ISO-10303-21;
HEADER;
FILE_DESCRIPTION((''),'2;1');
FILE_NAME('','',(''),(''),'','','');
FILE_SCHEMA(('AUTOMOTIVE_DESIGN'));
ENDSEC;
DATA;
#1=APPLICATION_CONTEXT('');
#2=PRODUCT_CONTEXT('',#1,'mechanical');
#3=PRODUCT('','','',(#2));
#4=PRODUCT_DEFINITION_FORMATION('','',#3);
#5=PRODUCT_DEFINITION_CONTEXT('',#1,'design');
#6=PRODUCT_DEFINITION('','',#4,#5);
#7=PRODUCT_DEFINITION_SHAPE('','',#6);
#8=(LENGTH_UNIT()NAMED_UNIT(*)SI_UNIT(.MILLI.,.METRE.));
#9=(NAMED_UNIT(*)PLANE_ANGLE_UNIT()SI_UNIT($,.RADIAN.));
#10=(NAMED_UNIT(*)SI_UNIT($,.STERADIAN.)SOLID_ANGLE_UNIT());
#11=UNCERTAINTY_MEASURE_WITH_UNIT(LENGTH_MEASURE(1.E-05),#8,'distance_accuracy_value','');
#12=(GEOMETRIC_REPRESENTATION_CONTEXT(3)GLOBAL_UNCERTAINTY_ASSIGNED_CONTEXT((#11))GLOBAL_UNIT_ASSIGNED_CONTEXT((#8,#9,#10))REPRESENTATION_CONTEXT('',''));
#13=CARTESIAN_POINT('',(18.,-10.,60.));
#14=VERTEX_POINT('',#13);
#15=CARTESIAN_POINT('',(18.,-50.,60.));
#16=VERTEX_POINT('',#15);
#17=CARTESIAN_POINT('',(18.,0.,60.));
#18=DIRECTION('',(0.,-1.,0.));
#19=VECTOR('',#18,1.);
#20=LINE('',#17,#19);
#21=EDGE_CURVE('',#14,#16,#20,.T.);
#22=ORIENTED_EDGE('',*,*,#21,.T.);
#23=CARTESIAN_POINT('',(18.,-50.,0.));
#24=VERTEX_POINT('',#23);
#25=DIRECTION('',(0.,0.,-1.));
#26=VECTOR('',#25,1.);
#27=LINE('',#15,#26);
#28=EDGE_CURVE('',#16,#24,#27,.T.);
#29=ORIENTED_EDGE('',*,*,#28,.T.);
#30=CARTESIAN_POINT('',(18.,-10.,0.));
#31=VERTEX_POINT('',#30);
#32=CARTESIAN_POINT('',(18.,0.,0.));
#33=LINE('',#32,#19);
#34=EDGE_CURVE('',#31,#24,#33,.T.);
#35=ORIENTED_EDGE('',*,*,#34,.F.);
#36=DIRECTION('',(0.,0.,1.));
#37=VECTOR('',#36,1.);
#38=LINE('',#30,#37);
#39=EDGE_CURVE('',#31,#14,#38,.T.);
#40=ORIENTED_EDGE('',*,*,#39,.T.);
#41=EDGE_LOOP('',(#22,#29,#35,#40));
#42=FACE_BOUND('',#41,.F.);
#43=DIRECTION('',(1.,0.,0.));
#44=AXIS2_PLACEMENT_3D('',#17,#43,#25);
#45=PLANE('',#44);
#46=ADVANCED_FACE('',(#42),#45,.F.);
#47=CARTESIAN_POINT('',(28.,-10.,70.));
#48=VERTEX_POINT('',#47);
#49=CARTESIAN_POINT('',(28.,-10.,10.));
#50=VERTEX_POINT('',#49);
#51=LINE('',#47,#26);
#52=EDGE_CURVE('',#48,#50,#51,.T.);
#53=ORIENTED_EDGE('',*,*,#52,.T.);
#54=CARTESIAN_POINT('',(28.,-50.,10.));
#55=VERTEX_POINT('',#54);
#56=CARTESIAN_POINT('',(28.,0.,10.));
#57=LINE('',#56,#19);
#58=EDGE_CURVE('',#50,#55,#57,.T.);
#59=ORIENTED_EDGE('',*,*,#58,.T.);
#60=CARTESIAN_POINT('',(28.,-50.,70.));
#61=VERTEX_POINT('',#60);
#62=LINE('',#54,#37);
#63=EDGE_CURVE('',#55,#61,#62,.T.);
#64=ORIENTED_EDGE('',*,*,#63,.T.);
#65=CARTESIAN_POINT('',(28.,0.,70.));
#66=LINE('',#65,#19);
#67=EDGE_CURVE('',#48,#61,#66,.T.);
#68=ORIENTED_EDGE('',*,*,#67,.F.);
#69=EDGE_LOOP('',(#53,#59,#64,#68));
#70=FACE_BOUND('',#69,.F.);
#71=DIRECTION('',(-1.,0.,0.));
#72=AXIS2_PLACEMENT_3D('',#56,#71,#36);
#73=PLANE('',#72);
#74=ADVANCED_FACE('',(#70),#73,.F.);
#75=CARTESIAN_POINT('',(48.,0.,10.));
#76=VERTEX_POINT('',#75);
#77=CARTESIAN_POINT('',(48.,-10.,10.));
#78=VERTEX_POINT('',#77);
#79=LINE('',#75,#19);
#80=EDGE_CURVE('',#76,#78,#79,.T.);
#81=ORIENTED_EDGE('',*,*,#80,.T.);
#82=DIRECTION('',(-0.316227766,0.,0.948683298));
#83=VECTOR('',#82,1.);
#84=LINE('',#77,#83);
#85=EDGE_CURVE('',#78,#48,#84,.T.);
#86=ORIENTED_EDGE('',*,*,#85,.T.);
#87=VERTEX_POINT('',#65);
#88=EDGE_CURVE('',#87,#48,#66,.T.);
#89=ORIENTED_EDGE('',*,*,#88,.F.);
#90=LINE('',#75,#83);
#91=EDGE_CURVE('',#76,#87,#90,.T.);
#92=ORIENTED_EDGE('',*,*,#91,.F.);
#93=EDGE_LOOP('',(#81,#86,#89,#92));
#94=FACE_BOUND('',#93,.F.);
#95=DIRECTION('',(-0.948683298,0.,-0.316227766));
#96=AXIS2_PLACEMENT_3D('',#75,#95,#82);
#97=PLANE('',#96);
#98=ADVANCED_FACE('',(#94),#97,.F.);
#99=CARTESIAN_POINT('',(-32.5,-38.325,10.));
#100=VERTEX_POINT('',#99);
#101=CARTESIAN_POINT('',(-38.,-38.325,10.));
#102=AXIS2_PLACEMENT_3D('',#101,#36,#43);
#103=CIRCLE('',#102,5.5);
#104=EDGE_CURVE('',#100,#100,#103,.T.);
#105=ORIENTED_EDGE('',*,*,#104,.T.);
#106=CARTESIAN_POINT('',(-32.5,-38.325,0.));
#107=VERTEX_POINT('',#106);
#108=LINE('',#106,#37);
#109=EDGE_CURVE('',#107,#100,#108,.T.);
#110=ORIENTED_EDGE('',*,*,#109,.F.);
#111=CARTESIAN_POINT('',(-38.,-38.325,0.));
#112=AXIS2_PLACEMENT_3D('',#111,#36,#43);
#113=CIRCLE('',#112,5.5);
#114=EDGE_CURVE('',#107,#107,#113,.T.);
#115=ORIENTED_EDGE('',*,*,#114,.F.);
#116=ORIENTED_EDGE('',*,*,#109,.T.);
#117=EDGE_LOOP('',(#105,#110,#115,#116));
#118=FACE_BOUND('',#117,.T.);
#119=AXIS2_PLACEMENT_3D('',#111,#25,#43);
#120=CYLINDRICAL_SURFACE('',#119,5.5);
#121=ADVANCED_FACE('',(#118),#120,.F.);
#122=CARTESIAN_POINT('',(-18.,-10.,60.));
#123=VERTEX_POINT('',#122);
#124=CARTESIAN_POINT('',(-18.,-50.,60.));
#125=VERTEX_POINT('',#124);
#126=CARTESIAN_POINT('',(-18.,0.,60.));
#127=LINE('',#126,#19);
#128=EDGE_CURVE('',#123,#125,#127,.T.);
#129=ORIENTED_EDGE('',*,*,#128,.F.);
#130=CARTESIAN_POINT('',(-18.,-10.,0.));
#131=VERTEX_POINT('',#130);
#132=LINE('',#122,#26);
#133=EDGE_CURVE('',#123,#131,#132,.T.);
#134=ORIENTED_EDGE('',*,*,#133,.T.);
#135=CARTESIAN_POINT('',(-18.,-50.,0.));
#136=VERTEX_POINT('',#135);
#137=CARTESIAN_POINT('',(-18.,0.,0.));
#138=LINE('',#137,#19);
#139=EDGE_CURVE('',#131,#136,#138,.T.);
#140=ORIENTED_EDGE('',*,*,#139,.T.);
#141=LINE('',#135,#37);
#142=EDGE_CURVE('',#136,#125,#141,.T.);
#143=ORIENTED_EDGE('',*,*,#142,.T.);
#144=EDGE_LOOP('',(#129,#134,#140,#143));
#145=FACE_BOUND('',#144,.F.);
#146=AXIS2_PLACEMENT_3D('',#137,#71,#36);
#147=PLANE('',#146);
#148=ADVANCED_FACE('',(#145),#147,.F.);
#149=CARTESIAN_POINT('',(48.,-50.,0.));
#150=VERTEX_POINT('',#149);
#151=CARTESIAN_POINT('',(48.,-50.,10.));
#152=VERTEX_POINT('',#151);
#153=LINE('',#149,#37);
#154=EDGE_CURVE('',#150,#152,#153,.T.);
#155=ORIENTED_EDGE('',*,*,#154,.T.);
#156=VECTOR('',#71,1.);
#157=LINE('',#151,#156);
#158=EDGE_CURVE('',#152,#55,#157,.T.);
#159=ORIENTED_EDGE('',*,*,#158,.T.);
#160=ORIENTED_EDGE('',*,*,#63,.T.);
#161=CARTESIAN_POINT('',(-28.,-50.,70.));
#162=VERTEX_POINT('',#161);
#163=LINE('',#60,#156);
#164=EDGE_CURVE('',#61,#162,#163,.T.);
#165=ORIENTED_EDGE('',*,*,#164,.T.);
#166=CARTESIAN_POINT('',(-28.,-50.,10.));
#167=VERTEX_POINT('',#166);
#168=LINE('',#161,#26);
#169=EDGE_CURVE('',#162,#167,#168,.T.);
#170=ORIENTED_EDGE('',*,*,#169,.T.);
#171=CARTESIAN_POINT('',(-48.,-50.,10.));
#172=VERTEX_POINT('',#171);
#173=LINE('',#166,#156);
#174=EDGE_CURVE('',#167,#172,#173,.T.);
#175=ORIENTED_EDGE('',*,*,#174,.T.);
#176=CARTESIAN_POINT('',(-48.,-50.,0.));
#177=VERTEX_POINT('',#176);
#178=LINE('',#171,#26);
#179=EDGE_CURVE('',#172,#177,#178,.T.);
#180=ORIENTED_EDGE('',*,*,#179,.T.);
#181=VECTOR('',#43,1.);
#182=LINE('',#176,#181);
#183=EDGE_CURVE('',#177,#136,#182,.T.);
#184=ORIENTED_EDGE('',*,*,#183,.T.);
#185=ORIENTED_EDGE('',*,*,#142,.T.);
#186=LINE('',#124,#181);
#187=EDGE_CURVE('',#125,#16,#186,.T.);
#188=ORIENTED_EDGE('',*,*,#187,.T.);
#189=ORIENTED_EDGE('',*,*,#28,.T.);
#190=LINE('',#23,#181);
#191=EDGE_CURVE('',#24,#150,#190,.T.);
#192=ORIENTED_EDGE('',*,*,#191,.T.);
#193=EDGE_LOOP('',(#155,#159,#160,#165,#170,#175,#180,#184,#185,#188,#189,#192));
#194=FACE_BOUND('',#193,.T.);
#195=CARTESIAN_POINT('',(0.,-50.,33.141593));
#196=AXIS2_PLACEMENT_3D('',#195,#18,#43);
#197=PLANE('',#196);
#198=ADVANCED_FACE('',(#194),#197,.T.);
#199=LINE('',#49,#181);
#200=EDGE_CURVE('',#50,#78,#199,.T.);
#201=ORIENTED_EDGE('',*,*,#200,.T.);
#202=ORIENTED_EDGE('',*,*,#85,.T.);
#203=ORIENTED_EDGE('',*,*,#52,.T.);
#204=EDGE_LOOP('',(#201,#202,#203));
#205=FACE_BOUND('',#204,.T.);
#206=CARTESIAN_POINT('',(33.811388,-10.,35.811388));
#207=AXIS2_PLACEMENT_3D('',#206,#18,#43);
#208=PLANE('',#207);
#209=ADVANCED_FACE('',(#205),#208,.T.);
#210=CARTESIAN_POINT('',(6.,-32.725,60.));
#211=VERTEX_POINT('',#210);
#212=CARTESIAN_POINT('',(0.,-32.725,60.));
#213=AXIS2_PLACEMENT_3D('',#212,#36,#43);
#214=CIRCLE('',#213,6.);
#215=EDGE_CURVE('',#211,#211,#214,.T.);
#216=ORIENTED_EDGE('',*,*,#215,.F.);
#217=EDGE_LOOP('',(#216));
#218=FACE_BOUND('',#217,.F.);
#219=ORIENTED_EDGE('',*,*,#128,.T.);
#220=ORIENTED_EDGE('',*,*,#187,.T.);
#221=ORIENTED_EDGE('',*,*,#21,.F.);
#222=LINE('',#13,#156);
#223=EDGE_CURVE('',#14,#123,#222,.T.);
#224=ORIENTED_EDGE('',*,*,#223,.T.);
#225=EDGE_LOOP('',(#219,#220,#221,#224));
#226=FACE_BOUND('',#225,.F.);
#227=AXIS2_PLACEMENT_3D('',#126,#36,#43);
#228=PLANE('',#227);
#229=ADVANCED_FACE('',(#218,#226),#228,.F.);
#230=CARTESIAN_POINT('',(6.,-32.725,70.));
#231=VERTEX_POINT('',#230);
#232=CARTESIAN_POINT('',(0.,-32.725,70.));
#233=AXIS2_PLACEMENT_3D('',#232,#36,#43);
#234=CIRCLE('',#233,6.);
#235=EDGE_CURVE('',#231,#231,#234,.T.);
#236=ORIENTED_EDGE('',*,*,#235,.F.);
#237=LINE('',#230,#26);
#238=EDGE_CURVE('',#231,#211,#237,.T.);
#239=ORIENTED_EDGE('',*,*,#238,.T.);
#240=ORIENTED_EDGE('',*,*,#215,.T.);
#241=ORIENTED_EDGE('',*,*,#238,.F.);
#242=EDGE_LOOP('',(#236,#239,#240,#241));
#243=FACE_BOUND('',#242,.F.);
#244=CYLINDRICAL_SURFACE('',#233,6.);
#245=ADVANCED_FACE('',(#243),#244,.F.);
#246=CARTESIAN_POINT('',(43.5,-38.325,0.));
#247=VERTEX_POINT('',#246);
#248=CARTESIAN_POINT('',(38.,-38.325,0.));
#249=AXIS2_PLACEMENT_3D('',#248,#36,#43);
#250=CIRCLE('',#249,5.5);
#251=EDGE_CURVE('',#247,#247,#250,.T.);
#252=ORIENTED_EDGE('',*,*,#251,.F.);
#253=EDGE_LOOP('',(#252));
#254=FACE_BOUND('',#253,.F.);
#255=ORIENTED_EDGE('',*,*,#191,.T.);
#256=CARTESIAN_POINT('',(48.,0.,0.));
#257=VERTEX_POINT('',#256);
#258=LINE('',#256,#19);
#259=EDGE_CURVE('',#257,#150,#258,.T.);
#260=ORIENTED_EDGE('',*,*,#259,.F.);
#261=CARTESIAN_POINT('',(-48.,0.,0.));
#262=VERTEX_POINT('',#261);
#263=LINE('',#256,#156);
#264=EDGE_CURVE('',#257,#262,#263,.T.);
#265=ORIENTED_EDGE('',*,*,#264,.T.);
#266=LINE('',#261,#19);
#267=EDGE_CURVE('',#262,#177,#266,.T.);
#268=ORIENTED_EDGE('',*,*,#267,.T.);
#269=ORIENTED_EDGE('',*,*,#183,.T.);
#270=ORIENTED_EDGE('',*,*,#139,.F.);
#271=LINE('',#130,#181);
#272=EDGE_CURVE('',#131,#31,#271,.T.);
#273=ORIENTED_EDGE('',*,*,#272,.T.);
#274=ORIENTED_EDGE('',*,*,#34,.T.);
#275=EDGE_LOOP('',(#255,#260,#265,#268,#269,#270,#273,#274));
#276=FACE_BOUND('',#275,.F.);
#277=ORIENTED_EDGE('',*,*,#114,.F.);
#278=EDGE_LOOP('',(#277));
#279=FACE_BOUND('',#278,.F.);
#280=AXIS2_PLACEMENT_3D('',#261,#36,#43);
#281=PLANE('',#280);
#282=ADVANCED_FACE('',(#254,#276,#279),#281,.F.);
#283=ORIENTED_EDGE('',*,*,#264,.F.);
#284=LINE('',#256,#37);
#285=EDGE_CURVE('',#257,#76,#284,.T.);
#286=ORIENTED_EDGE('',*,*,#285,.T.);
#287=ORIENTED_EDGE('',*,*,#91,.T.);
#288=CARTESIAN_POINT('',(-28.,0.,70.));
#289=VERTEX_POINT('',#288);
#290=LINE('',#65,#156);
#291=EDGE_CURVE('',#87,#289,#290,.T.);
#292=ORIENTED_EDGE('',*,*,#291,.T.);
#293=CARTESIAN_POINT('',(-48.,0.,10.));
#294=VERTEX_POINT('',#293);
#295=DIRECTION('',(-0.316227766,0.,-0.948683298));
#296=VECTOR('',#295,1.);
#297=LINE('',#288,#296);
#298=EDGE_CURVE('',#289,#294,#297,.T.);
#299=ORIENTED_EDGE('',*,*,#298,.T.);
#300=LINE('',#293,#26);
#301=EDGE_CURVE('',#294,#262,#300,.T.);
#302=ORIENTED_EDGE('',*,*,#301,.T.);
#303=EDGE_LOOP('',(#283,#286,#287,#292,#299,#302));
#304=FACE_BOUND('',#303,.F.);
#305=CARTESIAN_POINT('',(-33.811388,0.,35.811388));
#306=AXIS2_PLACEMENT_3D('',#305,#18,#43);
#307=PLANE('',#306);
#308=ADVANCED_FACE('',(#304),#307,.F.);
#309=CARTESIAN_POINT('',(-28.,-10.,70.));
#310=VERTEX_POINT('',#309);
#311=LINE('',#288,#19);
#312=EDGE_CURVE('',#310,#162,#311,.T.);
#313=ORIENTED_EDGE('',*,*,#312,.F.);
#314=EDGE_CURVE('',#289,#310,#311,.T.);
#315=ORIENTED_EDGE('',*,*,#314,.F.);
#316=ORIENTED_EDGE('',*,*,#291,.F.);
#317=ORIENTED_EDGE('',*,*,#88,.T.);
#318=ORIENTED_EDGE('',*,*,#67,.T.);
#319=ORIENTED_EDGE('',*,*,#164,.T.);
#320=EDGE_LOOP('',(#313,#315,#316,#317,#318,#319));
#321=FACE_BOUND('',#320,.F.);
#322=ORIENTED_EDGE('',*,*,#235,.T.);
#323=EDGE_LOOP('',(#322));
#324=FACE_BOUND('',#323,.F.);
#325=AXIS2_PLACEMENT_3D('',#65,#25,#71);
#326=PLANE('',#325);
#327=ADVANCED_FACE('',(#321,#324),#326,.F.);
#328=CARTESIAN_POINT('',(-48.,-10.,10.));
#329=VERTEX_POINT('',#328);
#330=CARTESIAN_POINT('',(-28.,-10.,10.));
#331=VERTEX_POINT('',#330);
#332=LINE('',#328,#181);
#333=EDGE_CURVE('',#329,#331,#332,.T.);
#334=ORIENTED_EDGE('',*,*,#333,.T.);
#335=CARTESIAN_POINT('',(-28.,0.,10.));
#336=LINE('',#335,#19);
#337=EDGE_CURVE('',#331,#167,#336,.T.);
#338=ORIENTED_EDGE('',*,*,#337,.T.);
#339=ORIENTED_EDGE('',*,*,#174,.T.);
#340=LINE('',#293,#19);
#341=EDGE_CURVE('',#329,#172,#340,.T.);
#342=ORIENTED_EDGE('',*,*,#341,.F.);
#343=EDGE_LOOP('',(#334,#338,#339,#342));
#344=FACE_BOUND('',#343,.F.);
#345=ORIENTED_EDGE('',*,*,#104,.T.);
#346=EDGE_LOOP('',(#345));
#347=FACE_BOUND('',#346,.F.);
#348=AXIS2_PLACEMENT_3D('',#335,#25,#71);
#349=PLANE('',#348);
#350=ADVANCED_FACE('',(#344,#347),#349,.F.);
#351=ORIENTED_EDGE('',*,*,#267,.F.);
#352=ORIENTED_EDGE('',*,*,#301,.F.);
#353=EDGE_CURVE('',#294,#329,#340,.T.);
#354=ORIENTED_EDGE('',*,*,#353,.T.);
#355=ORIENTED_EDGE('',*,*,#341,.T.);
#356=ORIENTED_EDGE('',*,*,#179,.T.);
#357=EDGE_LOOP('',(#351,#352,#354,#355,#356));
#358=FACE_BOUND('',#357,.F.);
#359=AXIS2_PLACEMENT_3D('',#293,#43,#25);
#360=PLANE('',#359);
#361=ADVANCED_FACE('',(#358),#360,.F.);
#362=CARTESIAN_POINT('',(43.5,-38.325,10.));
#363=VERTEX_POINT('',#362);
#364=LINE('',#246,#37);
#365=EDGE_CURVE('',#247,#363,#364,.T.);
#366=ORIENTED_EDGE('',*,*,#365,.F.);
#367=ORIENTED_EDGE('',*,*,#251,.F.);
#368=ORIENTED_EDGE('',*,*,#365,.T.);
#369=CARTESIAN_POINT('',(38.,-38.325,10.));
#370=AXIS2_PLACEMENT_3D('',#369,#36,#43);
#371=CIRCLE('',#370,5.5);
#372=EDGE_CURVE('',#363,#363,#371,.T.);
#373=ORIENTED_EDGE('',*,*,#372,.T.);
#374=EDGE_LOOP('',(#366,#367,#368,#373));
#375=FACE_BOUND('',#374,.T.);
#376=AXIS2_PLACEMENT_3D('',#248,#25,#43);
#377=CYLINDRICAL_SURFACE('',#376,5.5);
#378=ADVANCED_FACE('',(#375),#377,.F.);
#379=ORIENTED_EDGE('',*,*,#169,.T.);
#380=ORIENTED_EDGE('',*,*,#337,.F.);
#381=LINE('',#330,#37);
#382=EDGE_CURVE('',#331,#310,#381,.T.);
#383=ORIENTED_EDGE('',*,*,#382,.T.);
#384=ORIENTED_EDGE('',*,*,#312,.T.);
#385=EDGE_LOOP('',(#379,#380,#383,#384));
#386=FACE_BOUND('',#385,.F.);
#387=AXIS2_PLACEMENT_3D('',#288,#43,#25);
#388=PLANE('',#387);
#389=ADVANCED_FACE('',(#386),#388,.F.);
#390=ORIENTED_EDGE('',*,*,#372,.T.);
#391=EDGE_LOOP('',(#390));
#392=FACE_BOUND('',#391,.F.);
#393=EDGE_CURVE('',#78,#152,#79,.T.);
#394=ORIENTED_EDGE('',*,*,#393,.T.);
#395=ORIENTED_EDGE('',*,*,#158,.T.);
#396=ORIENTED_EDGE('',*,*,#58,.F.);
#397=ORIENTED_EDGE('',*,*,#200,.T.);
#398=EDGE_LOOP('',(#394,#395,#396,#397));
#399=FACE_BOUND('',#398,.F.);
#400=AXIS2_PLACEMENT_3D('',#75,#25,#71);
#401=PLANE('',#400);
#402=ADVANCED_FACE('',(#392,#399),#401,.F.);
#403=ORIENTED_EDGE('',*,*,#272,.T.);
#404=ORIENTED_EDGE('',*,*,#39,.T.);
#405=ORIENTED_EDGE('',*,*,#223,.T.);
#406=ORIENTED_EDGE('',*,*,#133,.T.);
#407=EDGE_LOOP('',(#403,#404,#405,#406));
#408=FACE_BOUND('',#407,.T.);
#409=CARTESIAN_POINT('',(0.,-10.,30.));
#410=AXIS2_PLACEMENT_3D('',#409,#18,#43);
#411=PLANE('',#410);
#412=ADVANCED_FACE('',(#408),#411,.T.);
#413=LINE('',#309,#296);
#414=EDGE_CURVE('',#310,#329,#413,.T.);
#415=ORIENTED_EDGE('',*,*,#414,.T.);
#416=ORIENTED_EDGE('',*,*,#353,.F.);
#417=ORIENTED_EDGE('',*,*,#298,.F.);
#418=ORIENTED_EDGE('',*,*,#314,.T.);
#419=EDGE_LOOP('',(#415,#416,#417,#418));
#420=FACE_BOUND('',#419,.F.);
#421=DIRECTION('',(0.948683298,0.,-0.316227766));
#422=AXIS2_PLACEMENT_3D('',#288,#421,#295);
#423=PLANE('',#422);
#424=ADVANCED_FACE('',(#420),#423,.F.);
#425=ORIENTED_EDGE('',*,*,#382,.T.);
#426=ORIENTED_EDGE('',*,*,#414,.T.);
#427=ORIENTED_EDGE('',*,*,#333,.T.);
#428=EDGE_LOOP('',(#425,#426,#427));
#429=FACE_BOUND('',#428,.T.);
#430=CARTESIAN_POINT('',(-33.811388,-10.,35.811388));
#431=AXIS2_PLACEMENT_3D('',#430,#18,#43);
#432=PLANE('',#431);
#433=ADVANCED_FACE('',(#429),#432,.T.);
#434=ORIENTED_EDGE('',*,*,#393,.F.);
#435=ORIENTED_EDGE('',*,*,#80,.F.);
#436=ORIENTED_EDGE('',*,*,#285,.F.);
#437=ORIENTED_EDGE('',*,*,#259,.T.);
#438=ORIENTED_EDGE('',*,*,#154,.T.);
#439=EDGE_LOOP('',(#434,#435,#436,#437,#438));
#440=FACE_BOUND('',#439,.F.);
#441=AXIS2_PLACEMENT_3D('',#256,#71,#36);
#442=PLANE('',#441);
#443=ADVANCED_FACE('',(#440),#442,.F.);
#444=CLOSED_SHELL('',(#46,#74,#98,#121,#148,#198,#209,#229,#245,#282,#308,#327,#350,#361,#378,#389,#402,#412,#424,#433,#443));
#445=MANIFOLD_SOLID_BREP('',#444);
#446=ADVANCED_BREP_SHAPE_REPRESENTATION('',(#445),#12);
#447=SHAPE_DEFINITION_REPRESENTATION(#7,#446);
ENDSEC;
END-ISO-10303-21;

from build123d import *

# Parameters (mm, degrees)
F1_DEPTH = 50
F2_DEPTH = 10
F3_R     = 5.5
F4_DEPTH = 10
F5_R     = 6
F6_DEPTH = 12


with BuildPart() as f1:
    # F0 (on Front) → F1 (new body)
    with BuildSketch(Plane.XZ):
        Polygon((-48, 10), (-48, 0), (-18, 0), (-18, 60), (0, 60), (18, 60), (18, 0), (48, 0), (48, 10), (28, 10), (28, 70), (0, 70), (-28, 70), (-28, 10), align=None)
    extrude(amount=F1_DEPTH)

    # F0 (on Front) → F2 (join)
    with BuildSketch(Plane.XZ):
        Polygon((-28, 70), (-48, 10), (-28, 10), align=None)
        Polygon((48, 10), (28, 70), (28, 10), align=None)
        Polygon((-18, 60), (-18, 0), (0, 0), (18, 0), (18, 60), (0, 60), align=None)
    extrude(amount=F2_DEPTH)

    # F3 (on Top) → F4 (cut)
    with BuildSketch(Plane.XY):
        with Locations((-38, -38.325)):
            Circle(F3_R)
        with Locations((38, -38.325)):
            Circle(F3_R)
    extrude(amount=F4_DEPTH, mode=Mode.SUBTRACT)

    # F5 (on face) → F6 (cut)
    with BuildSketch(Plane.XY.offset(70)):
        with Locations((0, -32.725)):
            Circle(F5_R)
    extrude(amount=-F6_DEPTH, mode=Mode.SUBTRACT)


solid = f1.part
